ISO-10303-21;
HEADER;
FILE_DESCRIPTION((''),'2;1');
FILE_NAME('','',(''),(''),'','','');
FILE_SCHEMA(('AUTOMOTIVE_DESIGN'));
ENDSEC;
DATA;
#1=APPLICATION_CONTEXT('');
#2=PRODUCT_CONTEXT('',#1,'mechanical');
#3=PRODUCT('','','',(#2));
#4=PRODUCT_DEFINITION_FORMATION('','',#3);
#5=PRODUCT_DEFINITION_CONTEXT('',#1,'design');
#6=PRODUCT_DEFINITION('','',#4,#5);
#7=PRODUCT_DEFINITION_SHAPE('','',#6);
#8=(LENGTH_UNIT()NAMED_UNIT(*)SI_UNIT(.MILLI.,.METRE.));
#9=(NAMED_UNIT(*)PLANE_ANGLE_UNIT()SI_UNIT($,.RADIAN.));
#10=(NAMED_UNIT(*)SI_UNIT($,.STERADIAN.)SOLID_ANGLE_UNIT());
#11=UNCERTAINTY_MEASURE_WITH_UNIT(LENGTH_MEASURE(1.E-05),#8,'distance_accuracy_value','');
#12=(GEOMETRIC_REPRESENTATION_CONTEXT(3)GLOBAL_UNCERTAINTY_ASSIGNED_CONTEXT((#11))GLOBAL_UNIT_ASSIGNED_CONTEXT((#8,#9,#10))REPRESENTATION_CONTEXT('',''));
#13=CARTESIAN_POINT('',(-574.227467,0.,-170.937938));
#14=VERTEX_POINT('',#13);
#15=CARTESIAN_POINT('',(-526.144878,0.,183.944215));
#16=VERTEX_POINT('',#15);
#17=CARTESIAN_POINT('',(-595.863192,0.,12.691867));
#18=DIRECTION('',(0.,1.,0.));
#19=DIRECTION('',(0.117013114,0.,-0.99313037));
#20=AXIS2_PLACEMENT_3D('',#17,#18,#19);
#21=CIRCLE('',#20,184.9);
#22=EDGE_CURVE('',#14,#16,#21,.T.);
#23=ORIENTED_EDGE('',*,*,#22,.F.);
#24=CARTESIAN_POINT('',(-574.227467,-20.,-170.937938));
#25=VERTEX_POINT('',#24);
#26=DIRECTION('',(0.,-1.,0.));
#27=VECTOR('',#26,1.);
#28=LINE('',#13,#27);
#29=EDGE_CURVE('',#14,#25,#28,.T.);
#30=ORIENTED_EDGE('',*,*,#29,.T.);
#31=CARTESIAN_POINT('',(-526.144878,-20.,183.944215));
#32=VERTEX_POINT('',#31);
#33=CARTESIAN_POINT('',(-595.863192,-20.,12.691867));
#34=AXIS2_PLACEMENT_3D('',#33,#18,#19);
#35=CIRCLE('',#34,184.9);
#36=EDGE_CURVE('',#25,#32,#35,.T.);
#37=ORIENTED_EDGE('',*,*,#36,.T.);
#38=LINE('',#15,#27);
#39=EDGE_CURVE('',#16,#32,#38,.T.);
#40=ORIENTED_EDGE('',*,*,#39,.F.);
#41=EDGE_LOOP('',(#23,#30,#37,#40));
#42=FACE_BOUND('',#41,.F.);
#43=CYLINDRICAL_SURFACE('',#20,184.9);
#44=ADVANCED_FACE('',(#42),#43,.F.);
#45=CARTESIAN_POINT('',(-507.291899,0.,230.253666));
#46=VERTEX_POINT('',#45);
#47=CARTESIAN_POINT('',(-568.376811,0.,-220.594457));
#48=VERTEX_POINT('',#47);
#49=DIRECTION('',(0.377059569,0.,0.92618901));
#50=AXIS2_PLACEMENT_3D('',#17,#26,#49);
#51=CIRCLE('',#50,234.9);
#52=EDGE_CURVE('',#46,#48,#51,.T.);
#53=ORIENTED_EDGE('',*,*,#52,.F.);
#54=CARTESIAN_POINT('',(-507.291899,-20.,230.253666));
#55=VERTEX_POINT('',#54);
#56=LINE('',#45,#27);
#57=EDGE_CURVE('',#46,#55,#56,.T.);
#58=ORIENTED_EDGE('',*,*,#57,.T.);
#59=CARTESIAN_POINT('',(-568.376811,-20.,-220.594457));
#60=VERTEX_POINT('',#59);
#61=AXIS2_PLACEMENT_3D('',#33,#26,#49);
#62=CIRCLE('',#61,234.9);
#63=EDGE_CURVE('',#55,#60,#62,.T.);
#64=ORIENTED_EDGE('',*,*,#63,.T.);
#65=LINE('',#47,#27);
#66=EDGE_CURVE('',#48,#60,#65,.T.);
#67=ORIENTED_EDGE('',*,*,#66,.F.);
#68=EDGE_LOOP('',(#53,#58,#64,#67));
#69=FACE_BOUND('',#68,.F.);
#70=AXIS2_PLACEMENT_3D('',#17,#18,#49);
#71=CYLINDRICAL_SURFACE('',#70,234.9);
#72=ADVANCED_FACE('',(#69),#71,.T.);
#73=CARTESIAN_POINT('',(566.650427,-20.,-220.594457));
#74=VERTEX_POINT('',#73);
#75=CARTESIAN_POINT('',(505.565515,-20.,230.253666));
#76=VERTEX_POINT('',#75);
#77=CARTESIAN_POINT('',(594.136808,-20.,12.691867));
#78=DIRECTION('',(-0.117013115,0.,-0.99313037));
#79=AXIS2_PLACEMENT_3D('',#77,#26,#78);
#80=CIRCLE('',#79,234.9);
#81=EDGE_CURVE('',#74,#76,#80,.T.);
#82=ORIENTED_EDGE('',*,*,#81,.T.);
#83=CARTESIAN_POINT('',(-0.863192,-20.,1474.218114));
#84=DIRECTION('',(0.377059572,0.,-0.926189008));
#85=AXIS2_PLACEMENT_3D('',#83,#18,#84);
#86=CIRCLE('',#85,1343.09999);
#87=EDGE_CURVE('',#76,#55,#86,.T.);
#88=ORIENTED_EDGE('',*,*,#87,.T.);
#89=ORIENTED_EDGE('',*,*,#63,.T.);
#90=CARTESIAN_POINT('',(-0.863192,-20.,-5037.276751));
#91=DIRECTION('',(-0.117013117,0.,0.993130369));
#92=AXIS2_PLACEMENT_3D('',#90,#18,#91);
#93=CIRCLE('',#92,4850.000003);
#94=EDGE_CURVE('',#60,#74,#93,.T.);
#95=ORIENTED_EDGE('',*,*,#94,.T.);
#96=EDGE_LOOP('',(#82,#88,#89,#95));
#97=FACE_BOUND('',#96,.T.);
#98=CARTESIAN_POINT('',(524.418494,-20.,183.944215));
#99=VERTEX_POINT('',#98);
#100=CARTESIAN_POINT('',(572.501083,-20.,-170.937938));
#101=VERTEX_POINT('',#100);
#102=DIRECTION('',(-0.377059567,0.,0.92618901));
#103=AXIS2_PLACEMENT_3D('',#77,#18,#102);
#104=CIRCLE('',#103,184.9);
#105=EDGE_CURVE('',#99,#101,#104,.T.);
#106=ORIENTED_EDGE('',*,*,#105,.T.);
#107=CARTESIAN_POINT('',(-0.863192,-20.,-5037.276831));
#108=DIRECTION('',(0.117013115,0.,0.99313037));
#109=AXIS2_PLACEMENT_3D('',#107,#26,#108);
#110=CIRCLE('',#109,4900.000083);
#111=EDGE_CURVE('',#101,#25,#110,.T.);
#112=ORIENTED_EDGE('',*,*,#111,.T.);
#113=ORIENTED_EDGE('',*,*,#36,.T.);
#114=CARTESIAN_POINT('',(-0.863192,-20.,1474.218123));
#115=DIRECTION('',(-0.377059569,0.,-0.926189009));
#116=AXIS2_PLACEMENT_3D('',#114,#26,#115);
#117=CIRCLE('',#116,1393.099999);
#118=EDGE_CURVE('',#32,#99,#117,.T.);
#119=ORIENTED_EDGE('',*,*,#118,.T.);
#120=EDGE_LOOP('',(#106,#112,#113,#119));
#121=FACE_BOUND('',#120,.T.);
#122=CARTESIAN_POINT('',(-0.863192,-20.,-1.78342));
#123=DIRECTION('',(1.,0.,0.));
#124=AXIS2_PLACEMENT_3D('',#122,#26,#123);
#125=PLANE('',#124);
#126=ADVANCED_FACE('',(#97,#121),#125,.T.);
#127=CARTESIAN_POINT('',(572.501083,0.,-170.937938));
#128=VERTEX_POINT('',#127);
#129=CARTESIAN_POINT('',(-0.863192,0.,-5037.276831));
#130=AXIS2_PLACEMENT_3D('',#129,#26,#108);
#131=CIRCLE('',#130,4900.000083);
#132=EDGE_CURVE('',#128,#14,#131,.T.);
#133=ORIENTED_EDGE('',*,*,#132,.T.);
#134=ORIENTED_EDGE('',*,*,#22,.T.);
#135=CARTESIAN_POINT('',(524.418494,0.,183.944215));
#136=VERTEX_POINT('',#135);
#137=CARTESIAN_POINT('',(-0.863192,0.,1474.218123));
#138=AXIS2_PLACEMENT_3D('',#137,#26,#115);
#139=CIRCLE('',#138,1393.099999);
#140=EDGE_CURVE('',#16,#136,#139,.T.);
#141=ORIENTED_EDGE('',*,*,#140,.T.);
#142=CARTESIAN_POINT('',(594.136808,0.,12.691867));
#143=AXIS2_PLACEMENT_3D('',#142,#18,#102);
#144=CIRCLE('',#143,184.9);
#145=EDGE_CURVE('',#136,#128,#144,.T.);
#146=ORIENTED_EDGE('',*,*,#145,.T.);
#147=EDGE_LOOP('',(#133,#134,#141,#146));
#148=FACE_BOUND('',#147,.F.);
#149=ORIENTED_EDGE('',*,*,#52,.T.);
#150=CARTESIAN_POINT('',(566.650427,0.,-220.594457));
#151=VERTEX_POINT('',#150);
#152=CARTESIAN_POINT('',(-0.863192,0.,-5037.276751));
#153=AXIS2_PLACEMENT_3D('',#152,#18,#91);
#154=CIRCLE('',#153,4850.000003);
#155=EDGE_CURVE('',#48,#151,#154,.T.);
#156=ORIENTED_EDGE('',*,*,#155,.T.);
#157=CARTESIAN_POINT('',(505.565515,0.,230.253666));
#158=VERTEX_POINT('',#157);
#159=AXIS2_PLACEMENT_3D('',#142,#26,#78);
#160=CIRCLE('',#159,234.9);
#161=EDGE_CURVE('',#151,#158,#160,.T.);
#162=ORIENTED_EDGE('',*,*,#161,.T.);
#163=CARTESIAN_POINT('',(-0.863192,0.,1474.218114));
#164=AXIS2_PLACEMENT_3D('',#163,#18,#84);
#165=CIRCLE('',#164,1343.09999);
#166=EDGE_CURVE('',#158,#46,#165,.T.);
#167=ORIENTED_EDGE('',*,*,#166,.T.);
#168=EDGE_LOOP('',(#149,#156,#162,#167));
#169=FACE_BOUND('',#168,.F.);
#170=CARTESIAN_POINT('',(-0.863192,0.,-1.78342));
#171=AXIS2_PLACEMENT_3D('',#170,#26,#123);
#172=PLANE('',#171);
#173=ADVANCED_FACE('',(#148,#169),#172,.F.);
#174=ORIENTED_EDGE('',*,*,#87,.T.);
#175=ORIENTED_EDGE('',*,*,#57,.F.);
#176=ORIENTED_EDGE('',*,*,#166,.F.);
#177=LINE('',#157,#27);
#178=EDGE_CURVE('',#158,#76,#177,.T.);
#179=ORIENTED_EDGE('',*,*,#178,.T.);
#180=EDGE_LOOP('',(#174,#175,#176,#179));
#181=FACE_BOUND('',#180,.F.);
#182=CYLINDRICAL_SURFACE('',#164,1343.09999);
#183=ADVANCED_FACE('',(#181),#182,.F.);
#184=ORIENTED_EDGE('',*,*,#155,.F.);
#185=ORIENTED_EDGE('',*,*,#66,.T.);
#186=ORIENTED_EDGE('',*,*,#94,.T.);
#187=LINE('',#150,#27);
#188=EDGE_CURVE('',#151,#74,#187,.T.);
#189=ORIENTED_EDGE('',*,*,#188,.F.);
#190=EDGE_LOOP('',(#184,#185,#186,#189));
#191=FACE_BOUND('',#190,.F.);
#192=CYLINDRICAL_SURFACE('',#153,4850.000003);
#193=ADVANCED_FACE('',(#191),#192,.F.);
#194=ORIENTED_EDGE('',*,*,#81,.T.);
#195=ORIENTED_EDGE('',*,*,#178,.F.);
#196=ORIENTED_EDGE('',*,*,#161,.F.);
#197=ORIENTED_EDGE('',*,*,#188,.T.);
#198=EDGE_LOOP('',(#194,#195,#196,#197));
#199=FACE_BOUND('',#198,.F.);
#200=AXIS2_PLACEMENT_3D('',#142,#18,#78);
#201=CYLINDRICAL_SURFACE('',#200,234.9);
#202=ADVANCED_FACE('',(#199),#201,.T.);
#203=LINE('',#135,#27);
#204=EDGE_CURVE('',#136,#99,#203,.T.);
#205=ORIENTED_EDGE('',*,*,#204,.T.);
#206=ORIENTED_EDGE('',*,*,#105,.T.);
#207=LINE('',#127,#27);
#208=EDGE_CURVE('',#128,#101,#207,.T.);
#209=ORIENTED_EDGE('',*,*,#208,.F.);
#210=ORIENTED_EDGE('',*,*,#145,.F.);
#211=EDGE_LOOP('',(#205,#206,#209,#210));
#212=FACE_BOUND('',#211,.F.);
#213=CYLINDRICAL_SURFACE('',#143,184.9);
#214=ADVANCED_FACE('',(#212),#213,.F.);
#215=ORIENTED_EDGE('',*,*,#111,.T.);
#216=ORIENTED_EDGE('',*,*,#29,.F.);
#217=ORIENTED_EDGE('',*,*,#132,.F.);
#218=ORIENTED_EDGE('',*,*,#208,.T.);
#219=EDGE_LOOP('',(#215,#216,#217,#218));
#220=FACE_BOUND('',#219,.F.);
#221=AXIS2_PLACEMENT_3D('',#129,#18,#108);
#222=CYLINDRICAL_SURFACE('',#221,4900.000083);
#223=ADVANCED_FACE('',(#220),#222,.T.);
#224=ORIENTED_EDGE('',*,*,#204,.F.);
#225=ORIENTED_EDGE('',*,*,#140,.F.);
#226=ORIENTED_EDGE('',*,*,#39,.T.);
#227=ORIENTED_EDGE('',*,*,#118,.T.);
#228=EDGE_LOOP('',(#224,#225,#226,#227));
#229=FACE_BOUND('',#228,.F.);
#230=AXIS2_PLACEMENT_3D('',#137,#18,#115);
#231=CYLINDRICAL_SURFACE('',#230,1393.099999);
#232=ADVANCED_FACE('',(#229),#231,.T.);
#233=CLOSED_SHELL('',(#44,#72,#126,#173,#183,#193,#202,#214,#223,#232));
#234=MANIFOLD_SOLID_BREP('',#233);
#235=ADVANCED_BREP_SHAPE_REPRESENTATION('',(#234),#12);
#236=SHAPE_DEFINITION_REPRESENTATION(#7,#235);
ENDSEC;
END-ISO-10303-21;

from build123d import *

# Parameters (mm, degrees)
F1_DEPTH = 20


with BuildPart() as f1:
    # F0 (on Front) → F1 (new body)
    with BuildSketch(Plane.XZ):
        with BuildLine():
            ThreePointArc((505.565515, 230.253666), (-0.863192, 131.118124), (-507.291899, 230.253666))
            ThreePointArc((-507.291899, 230.253666), (-828.636372, 44.230047), (-568.376811, -220.594457))
            ThreePointArc((-568.376811, -220.594457), (-0.863192, -187.276748), (566.650427, -220.594457))
            ThreePointArc((566.650427, -220.594457), (826.909988, 44.230047), (505.565515, 230.253666))
        make_face()
        with BuildLine():
            ThreePointArc((-574.227467, -170.937938), (-779.089079, 37.516939), (-526.144878, 183.944215))
            ThreePointArc((-526.144878, 183.944215), (-0.863192, 81.118124), (524.418494, 183.944215))
            ThreePointArc((524.418494, 183.944215), (777.362695, 37.516939), (572.501083, -170.937938))
            ThreePointArc((572.501083, -170.937938), (-0.863192, -137.276748), (-574.227467, -170.937938))
        make_face(mode=Mode.SUBTRACT)
    extrude(amount=F1_DEPTH)


solid = f1.part
